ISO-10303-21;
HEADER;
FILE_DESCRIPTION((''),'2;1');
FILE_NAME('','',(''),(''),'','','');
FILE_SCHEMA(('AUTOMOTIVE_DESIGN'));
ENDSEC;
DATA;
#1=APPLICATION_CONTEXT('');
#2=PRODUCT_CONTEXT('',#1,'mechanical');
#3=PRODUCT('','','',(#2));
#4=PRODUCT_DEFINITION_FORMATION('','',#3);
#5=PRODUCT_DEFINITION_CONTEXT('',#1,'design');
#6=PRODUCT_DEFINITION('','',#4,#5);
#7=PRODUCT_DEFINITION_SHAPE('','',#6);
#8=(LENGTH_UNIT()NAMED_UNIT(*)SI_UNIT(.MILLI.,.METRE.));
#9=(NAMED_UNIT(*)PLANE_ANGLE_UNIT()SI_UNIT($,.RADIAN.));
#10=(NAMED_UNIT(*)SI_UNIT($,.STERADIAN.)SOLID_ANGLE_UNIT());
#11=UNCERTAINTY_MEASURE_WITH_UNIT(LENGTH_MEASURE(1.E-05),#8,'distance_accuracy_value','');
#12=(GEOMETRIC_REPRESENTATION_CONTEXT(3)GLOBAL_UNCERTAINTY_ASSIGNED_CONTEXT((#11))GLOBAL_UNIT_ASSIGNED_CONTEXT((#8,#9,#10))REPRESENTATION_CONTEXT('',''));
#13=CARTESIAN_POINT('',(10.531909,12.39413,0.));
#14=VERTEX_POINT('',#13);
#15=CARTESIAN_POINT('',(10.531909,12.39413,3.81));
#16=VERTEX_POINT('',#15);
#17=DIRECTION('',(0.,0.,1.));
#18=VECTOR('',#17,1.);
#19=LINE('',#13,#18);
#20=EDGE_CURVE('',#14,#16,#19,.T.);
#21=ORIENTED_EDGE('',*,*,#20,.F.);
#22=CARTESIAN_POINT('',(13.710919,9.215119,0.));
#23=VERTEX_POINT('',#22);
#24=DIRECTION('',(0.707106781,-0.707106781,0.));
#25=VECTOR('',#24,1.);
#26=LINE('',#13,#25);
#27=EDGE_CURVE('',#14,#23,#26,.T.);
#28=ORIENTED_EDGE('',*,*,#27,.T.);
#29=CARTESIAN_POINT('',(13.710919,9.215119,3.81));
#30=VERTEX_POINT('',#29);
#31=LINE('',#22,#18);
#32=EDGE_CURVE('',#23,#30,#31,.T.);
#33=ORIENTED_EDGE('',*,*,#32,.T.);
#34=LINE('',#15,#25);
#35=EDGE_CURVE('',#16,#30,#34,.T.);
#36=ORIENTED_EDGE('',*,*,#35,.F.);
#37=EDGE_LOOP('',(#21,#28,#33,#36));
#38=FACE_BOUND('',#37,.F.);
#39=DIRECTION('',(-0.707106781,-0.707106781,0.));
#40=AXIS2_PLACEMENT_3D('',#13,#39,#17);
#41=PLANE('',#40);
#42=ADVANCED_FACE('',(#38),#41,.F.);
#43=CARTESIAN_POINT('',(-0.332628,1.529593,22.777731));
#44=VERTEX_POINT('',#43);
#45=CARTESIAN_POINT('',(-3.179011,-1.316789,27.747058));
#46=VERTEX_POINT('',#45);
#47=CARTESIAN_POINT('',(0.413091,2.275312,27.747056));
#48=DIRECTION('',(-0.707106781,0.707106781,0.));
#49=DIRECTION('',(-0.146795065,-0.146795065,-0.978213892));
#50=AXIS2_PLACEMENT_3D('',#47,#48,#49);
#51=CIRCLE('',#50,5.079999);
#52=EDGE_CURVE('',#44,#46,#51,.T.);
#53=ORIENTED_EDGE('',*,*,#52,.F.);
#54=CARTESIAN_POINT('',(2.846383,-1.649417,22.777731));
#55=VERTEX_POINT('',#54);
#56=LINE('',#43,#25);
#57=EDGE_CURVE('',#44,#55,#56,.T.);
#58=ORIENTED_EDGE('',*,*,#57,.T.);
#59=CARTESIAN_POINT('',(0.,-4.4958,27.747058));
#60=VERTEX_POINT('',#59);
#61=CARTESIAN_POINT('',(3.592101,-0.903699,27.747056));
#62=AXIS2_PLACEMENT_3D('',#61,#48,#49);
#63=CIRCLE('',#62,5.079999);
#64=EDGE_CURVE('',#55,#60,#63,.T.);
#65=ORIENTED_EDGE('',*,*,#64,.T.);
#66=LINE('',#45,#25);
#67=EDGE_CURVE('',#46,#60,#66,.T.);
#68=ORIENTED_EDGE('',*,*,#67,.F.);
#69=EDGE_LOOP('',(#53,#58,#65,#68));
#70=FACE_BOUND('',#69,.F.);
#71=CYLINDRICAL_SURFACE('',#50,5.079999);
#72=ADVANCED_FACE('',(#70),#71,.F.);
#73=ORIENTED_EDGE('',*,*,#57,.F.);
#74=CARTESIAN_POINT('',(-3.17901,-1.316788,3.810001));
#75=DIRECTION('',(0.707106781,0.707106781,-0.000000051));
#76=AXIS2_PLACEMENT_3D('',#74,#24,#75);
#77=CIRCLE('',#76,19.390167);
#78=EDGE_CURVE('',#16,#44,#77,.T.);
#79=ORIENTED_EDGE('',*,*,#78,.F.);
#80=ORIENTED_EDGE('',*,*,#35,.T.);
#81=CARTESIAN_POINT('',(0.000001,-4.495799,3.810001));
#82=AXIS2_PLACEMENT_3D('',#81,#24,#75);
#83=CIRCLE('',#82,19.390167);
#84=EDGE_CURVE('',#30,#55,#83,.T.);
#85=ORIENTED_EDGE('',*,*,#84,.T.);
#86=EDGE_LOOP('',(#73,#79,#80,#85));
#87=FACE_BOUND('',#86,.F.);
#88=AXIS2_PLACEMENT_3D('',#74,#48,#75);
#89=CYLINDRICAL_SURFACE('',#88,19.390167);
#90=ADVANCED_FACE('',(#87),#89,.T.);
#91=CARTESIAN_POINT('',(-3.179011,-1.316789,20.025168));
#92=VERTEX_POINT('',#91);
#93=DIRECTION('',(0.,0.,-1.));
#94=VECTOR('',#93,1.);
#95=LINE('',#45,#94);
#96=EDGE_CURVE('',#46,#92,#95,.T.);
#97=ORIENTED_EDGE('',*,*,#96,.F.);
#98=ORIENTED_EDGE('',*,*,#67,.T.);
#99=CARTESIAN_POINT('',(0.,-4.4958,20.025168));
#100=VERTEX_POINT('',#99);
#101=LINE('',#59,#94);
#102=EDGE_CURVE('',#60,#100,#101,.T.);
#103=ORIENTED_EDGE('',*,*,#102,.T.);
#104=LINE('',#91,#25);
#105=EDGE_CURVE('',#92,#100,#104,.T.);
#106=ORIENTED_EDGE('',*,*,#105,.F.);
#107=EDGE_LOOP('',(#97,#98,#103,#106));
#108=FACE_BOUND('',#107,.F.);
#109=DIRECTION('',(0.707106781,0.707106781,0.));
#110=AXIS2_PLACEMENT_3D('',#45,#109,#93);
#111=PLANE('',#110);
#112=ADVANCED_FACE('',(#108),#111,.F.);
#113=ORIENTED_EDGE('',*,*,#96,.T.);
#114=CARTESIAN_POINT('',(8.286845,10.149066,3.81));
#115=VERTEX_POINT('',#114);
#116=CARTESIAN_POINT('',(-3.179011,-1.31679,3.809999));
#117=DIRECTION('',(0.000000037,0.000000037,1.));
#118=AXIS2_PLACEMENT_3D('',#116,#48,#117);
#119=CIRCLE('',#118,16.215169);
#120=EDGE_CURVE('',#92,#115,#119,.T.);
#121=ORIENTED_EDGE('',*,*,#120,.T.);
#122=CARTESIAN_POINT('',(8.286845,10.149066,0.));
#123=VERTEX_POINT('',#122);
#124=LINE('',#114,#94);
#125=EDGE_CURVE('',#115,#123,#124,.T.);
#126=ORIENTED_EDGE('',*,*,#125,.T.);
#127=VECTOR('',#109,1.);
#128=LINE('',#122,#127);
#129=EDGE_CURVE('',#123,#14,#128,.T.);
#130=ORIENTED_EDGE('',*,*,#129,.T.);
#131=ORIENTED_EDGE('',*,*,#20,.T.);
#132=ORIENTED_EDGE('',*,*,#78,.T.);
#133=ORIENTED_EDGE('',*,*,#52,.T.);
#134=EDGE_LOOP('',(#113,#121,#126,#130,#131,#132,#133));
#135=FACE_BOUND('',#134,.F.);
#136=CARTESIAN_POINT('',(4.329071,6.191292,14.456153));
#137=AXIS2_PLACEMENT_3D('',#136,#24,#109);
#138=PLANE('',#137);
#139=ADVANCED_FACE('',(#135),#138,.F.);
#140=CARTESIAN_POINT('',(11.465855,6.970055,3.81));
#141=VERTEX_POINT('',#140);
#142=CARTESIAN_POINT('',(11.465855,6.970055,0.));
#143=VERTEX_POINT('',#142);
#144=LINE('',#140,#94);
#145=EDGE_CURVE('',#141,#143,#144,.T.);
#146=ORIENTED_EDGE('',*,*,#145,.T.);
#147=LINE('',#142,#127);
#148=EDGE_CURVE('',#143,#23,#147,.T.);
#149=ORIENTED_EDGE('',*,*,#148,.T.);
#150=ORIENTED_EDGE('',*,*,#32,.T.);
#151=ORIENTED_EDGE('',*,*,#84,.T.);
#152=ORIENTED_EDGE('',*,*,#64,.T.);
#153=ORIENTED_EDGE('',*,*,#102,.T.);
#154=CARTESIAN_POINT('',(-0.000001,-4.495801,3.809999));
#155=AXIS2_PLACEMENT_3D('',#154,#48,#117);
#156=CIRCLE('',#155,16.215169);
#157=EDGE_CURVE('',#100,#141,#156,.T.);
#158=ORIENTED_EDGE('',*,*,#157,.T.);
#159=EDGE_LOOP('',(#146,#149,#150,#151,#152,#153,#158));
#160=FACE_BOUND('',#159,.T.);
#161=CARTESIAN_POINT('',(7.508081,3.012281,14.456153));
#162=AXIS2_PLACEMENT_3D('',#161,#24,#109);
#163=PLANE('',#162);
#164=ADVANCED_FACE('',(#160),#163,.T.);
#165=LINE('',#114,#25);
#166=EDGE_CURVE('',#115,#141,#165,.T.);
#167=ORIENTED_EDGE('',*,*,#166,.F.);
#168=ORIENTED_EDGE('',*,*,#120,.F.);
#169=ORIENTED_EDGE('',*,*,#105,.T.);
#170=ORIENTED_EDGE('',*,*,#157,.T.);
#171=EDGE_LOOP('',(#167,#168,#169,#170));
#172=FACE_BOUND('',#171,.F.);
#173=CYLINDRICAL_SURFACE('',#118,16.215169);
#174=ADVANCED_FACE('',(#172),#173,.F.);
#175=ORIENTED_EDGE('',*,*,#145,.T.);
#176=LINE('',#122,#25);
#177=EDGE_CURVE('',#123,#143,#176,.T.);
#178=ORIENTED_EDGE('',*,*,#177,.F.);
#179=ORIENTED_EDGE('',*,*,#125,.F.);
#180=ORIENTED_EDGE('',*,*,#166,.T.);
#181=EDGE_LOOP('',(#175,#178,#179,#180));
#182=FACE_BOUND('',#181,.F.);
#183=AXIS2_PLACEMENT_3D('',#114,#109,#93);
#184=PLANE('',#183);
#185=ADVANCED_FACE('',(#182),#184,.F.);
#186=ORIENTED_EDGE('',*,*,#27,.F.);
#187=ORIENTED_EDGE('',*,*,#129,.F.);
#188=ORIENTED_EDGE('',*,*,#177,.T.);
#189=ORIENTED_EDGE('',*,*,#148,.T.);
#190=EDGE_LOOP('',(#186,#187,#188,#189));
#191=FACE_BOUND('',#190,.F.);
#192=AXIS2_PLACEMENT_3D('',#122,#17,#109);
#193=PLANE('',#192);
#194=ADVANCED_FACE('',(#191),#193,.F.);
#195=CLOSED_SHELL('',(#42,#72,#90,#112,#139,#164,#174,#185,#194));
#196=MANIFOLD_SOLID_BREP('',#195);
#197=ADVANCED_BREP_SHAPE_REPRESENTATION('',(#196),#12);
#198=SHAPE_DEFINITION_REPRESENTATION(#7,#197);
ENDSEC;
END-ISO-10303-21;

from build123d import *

# Parameters (mm, degrees)
F1_DEPTH = 4.4958
F2_ANGLE = 45


with BuildPart() as f1:
    # F0 (on Front) → F1 (new body)
    with BuildSketch(Plane.XZ):
        with BuildLine():
            Line((16.215168, 3.81), (16.215168, 0))
            Line((16.215168, 0), (19.390168, 0))
            Line((19.390168, 0), (19.390168, 3.81))
            ThreePointArc((19.390168, 3.81), (15.067045, 16.015031), (4.025393, 22.777731))
            ThreePointArc((4.025393, 22.777731), (1.132608, 24.54948), (0, 27.747058))
            Line((0, 27.747058), (0, 23.200168))
            Line((0, 23.200168), (0, 20.025168))
            ThreePointArc((0, 20.025168), (11.465855, 15.275855), (16.215168, 3.81))
        make_face()
    extrude(amount=F1_DEPTH)


with BuildPart() as f1_1:
    # F2: moved
    add(f1.part.rotate(Axis((0, -4.4958, 23.886113), (0, 0, 1)), F2_ANGLE))


solid = f1_1.part
